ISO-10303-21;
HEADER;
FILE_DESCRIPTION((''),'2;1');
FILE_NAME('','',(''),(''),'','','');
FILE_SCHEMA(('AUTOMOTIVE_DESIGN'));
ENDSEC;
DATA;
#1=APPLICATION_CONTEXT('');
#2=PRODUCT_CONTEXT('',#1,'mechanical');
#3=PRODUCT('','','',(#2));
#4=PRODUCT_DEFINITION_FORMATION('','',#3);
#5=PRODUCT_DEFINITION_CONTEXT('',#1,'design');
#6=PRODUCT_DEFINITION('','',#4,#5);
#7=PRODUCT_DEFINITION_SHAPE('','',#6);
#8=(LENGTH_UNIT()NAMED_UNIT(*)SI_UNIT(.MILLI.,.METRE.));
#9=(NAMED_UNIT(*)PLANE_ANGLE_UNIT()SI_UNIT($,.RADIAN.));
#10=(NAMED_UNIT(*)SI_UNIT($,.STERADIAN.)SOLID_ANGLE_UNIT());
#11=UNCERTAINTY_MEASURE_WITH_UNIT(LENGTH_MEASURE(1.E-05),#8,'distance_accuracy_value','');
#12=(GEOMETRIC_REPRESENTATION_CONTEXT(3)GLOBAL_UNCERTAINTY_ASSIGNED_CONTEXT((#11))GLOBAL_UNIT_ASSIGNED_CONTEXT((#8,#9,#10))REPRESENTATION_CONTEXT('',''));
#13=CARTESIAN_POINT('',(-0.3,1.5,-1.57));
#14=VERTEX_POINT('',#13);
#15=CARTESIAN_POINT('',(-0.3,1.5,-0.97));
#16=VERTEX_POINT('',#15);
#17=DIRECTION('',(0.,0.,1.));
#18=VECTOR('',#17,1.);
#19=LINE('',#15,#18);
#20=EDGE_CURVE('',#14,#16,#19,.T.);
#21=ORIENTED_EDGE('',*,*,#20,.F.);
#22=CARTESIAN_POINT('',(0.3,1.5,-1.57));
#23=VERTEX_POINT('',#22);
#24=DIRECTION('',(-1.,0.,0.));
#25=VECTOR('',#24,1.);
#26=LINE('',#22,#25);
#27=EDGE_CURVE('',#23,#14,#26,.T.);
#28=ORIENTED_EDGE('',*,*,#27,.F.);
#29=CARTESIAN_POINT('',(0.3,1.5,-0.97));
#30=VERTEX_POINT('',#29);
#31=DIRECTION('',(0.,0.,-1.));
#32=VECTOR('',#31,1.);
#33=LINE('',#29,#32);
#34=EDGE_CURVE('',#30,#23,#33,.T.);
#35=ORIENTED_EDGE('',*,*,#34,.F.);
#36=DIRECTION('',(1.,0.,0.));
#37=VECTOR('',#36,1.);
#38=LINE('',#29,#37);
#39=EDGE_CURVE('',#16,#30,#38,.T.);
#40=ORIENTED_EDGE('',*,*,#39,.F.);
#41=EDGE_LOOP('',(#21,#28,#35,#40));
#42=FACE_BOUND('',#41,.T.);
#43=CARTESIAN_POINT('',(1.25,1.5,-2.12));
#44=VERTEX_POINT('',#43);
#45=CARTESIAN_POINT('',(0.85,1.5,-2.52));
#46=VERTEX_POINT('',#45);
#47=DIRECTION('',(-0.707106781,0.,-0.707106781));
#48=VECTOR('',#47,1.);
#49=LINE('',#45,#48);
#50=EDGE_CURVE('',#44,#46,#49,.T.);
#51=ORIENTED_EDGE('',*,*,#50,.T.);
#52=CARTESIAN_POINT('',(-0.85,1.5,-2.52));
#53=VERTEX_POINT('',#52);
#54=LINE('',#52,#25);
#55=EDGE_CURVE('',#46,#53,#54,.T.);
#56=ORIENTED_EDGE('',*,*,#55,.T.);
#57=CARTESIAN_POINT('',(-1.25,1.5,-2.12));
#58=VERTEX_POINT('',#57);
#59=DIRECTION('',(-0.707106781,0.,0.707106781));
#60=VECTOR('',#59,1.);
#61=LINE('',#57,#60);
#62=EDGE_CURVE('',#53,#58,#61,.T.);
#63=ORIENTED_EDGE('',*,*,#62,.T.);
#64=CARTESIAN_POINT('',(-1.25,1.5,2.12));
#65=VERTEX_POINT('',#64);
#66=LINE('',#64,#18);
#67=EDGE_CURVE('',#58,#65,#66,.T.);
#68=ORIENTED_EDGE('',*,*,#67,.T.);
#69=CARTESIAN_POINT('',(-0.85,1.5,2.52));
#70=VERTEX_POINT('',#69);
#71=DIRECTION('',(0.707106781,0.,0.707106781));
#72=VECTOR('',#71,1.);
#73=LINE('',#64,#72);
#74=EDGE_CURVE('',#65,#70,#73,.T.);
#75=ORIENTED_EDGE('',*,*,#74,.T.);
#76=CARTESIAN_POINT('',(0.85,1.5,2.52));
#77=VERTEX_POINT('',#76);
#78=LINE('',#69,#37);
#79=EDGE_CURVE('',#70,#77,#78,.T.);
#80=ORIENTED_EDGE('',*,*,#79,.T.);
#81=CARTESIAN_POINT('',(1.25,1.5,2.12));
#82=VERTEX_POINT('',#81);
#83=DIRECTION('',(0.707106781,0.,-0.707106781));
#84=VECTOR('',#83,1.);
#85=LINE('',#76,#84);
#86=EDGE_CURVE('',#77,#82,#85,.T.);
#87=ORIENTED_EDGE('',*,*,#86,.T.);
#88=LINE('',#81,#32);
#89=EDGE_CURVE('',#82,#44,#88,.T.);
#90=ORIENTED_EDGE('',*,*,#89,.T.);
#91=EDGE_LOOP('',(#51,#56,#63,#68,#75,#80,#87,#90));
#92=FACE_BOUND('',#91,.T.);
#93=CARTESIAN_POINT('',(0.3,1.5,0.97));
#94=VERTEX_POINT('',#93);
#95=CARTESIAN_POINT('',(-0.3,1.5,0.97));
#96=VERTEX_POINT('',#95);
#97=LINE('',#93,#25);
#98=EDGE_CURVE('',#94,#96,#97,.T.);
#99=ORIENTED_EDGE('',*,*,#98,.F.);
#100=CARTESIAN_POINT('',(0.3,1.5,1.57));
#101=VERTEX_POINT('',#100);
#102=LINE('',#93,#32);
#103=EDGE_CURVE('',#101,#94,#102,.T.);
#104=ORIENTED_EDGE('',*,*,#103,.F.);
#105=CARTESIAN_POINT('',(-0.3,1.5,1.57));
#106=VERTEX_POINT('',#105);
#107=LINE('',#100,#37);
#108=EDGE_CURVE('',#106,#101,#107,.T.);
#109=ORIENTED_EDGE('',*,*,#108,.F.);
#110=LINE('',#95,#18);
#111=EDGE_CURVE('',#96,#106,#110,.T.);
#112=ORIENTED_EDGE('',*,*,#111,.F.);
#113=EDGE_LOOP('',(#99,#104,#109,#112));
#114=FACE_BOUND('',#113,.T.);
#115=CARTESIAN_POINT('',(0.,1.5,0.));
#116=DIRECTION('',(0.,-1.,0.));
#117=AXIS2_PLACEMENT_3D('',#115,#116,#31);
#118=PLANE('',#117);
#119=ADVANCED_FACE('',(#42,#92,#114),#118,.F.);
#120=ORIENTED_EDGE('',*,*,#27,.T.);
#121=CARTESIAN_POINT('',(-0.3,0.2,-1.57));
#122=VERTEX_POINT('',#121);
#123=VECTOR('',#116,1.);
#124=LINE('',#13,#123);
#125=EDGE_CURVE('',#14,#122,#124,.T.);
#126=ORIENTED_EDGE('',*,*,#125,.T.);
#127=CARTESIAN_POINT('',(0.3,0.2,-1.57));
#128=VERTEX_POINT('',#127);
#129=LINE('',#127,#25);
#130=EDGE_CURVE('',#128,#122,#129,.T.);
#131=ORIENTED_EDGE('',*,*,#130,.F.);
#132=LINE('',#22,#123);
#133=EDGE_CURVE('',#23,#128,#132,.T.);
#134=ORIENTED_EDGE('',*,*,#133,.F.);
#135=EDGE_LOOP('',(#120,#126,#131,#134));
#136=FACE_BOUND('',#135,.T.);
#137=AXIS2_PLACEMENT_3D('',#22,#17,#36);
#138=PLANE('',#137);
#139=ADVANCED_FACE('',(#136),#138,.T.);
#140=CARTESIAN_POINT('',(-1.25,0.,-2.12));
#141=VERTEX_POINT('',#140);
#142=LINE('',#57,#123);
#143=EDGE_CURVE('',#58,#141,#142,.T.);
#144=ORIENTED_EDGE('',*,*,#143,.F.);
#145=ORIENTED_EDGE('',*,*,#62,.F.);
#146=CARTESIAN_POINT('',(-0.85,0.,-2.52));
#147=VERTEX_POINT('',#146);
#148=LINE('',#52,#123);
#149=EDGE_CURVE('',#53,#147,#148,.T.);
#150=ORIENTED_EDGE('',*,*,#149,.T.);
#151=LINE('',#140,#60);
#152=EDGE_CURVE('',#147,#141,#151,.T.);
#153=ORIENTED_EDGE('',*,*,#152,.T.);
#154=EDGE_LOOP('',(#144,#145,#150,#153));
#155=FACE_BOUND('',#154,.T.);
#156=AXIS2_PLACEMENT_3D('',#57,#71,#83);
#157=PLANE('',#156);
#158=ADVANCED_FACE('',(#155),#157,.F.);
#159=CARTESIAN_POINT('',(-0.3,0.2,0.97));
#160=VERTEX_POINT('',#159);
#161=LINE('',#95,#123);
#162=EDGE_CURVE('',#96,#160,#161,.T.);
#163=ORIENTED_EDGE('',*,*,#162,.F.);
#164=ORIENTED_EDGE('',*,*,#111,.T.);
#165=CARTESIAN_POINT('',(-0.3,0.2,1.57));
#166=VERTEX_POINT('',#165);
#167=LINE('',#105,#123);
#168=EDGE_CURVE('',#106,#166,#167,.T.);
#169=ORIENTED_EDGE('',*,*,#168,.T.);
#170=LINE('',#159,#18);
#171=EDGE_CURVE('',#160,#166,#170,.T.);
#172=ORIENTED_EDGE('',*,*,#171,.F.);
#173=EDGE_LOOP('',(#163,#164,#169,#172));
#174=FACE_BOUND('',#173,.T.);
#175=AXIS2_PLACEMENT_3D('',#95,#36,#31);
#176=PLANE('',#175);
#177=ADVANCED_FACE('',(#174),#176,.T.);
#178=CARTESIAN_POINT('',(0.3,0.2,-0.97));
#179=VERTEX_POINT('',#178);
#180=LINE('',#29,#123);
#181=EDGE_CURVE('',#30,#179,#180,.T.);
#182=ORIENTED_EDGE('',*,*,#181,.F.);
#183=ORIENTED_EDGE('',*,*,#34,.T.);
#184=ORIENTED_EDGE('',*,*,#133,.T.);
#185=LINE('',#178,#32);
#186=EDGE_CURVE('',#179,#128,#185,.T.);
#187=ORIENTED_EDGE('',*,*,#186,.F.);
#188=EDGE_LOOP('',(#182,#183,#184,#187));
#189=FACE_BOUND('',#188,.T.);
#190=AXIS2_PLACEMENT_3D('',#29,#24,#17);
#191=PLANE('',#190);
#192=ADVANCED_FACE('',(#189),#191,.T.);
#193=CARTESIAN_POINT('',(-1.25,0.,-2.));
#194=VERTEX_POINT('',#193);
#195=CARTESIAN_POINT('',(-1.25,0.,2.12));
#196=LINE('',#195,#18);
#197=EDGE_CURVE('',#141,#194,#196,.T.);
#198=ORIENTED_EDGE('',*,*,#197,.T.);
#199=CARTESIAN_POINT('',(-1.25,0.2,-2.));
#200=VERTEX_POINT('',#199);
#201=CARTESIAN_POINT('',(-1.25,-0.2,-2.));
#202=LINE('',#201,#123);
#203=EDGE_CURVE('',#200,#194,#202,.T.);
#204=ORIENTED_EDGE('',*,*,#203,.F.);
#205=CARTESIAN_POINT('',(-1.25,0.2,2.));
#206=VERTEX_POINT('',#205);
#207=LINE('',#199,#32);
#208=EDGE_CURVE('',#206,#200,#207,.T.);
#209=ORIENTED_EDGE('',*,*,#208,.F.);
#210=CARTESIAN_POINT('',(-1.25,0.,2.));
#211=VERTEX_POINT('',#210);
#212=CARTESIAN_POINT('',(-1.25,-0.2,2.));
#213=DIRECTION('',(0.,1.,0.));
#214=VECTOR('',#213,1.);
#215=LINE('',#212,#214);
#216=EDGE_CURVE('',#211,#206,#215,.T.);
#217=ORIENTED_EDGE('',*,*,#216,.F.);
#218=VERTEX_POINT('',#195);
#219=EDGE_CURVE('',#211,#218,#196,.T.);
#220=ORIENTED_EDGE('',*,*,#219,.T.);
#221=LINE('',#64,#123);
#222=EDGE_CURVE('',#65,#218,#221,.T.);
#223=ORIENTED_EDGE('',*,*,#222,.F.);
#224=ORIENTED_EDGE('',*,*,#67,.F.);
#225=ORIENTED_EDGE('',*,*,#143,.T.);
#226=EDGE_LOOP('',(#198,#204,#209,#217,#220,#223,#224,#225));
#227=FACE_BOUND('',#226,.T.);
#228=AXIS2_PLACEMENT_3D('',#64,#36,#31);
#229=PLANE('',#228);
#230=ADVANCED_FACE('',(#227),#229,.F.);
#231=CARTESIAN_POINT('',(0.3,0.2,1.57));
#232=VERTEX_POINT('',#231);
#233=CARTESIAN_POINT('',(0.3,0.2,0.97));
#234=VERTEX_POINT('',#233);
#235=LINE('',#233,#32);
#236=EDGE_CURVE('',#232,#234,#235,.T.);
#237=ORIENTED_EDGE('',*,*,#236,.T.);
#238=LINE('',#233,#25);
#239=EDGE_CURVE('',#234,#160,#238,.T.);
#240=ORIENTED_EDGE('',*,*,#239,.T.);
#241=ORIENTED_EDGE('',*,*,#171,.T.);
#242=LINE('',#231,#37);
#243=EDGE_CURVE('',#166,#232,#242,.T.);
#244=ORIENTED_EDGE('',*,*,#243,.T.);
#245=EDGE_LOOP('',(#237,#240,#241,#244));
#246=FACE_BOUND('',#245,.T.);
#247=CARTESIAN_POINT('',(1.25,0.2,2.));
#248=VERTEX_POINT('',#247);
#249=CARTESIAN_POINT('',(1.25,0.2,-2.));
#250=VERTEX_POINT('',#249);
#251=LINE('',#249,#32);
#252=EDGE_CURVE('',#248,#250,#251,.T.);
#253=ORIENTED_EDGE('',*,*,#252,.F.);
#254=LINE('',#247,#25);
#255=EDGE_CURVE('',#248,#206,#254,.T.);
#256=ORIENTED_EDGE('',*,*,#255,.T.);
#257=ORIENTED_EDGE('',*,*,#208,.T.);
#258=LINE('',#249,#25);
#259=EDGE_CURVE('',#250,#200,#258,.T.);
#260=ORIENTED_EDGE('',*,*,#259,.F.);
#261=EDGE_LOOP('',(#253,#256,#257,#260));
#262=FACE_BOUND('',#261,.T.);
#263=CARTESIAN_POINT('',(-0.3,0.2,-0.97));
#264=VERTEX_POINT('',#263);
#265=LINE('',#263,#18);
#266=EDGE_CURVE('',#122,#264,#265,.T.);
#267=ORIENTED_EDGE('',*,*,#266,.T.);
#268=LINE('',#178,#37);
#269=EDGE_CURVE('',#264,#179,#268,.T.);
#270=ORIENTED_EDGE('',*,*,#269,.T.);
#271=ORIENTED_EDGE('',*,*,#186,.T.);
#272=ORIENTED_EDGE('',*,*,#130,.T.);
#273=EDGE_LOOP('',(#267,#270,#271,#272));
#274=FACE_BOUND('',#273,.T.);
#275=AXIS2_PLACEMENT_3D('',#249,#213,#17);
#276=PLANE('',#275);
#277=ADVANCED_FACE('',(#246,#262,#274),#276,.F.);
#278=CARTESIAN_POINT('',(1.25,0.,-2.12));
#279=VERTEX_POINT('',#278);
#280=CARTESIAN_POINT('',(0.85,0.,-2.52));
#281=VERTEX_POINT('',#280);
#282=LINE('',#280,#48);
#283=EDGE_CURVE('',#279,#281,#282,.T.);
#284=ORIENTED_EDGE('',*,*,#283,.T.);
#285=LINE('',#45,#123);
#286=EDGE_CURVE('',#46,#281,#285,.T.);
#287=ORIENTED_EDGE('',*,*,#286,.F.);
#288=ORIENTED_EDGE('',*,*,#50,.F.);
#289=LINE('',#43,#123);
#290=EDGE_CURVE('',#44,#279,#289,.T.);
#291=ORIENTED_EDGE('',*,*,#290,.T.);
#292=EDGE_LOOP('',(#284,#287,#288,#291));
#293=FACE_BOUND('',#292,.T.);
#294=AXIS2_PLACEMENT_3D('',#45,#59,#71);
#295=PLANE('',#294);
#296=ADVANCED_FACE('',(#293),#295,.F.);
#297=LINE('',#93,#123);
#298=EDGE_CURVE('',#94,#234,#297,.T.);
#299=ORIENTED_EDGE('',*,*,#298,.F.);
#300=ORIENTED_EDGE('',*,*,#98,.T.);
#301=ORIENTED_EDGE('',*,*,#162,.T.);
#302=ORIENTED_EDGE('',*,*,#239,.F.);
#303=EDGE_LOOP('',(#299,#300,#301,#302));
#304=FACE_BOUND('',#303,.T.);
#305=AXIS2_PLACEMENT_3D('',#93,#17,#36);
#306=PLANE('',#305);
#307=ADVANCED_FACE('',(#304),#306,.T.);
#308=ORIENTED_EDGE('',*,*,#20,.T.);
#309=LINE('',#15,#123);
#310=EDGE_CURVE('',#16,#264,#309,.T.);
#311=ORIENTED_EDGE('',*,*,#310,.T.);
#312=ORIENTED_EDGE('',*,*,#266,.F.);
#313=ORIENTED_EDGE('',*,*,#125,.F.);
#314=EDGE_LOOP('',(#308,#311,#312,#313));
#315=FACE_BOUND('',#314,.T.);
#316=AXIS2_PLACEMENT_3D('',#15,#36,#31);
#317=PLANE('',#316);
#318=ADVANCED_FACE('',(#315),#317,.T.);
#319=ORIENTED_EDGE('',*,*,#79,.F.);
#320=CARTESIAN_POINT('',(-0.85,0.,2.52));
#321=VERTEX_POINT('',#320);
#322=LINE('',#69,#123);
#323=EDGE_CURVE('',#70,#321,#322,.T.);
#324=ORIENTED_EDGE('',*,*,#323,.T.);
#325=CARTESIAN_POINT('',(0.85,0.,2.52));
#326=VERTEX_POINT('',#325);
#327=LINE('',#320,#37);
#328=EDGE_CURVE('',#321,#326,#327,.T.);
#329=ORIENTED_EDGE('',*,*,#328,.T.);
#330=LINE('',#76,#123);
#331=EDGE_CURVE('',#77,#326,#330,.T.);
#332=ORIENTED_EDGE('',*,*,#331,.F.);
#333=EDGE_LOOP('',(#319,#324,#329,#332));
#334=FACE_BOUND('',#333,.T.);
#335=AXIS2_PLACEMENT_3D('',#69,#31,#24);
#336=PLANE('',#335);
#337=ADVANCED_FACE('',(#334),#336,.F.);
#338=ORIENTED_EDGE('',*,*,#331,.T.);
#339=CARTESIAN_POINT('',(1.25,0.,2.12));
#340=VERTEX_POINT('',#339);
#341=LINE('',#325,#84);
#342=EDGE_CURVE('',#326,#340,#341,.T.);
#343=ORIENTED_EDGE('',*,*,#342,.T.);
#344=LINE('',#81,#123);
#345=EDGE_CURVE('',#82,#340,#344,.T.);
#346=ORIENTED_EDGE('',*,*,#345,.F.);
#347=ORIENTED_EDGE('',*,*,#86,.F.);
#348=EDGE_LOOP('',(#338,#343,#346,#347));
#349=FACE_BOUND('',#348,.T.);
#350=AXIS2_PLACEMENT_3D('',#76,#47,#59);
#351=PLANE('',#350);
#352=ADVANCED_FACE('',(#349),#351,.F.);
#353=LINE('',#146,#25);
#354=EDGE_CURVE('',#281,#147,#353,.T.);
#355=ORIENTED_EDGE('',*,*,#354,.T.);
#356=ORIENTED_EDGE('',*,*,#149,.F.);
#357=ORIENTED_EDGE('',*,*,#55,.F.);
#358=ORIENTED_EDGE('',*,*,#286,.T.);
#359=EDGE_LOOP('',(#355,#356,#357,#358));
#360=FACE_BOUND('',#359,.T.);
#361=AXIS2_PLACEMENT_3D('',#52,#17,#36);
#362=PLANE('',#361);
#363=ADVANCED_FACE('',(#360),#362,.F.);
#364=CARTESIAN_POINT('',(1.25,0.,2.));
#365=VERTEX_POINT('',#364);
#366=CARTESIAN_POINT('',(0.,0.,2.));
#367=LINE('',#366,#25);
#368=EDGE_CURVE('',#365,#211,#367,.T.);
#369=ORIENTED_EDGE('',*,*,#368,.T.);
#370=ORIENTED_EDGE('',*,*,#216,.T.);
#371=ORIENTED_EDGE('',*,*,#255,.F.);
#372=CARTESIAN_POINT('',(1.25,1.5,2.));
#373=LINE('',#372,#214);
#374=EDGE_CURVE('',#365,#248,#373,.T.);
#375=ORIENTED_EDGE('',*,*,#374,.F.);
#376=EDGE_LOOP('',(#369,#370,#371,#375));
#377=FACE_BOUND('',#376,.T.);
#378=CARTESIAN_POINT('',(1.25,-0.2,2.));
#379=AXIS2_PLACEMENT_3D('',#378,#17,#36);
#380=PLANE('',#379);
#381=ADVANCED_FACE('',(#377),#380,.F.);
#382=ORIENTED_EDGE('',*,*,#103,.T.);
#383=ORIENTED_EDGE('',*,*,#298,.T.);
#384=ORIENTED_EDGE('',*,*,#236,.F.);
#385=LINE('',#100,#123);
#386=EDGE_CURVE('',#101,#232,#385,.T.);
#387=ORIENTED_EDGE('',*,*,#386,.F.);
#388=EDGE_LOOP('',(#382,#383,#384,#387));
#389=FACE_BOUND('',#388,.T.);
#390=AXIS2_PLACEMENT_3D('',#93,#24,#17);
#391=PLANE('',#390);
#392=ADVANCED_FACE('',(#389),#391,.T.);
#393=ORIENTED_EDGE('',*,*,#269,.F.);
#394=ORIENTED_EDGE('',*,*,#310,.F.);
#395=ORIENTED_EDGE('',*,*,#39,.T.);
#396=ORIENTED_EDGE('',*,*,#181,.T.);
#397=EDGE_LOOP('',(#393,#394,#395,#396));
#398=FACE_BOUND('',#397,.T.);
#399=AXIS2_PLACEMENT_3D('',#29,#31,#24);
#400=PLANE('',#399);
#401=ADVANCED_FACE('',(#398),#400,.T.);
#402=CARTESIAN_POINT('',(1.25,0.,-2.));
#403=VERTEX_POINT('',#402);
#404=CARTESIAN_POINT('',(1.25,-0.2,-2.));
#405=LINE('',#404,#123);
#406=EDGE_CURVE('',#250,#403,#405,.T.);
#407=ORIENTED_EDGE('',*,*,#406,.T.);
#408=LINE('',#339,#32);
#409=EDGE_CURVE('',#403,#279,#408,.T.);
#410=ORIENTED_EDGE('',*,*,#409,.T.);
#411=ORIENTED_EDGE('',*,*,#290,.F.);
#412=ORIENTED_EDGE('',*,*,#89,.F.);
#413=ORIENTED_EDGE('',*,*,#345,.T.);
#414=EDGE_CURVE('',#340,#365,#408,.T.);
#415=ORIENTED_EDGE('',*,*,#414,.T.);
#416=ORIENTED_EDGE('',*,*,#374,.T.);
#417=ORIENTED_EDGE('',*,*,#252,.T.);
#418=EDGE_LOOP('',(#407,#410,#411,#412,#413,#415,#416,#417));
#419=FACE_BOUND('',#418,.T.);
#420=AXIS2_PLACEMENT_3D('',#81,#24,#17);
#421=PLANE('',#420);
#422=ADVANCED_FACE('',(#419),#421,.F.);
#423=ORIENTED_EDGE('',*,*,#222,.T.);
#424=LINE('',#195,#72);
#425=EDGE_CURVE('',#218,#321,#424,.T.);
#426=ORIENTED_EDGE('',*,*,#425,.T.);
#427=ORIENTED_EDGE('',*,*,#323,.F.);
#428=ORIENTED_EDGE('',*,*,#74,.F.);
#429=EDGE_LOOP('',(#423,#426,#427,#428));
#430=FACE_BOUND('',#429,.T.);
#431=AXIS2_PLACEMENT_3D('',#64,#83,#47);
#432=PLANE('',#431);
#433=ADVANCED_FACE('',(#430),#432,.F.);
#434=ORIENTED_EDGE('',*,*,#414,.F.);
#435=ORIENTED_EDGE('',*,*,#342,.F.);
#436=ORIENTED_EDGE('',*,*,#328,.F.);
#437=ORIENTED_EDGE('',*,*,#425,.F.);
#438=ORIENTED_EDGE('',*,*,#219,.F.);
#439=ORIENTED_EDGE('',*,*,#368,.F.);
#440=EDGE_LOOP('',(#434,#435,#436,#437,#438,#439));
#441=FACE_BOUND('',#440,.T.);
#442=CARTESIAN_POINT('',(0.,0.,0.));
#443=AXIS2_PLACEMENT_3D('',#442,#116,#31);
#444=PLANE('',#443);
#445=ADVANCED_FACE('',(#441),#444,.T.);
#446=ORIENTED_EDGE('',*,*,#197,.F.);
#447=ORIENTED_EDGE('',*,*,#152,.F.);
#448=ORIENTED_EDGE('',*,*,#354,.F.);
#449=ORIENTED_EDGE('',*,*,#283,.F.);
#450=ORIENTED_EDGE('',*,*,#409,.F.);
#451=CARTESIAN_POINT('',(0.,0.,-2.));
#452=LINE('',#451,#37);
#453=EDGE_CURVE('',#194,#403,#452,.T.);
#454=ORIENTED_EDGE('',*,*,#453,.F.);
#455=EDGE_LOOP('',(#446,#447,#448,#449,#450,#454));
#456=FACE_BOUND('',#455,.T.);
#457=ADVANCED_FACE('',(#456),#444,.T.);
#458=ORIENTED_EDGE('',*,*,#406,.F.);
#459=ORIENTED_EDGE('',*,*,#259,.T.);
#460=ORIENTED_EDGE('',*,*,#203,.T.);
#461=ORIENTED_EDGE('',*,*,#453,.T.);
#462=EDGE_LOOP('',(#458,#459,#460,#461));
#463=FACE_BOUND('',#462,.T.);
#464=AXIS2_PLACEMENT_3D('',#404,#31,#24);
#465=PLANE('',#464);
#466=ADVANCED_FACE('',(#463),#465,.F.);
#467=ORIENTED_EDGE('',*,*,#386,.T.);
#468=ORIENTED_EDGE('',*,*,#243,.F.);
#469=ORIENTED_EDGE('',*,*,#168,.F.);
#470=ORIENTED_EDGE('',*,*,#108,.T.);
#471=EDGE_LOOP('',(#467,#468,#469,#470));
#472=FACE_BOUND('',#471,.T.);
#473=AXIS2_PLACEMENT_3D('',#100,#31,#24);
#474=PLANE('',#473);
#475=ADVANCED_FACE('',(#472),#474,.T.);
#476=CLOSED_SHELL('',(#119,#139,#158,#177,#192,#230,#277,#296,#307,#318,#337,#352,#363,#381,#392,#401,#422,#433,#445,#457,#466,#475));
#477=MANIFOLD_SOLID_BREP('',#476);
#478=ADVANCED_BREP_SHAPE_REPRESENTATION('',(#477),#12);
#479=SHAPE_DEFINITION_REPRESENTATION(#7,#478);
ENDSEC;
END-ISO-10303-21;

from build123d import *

# Parameters (mm, degrees)
ESQUISSE1_W             = 0.6
ESQUISSE1_H             = 0.6
BOSS_EXTRU_1_DEPTH      = 1.5
ESQUISSE2_W             = 4
ESQUISSE2_H             = 0.4
ENL_V_MAT_EXTRU_1_DEPTH = 3.5


with BuildPart() as part:
    # Esquisse1 → Boss.-Extru.1 (new body)
    with BuildSketch(Plane(origin=(0, 0, 0), x_dir=(1, 0, 0), z_dir=(0, 1, 0))):
        Polygon((-1.25, 2.12), (-0.85, 2.52), (0.85, 2.52), (1.25, 2.12), (1.25, -2.12), (0.85, -2.52), (-0.85, -2.52), (-1.25, -2.12), align=None)
        with Locations((0, -1.27)):
            Rectangle(ESQUISSE1_W, ESQUISSE1_H, mode=Mode.SUBTRACT)
        with Locations((0, 1.27)):
            Rectangle(ESQUISSE1_W, ESQUISSE1_H, mode=Mode.SUBTRACT)
    extrude(amount=BOSS_EXTRU_1_DEPTH)

    # Esquisse2 → Enlèv. mat.-Extru.1 (cut, through all)
    with BuildSketch(Plane.ZY.offset(1.25)):
        Rectangle(ESQUISSE2_W, ESQUISSE2_H)
    extrude(amount=-ENL_V_MAT_EXTRU_1_DEPTH, mode=Mode.SUBTRACT)


solid = part.part
